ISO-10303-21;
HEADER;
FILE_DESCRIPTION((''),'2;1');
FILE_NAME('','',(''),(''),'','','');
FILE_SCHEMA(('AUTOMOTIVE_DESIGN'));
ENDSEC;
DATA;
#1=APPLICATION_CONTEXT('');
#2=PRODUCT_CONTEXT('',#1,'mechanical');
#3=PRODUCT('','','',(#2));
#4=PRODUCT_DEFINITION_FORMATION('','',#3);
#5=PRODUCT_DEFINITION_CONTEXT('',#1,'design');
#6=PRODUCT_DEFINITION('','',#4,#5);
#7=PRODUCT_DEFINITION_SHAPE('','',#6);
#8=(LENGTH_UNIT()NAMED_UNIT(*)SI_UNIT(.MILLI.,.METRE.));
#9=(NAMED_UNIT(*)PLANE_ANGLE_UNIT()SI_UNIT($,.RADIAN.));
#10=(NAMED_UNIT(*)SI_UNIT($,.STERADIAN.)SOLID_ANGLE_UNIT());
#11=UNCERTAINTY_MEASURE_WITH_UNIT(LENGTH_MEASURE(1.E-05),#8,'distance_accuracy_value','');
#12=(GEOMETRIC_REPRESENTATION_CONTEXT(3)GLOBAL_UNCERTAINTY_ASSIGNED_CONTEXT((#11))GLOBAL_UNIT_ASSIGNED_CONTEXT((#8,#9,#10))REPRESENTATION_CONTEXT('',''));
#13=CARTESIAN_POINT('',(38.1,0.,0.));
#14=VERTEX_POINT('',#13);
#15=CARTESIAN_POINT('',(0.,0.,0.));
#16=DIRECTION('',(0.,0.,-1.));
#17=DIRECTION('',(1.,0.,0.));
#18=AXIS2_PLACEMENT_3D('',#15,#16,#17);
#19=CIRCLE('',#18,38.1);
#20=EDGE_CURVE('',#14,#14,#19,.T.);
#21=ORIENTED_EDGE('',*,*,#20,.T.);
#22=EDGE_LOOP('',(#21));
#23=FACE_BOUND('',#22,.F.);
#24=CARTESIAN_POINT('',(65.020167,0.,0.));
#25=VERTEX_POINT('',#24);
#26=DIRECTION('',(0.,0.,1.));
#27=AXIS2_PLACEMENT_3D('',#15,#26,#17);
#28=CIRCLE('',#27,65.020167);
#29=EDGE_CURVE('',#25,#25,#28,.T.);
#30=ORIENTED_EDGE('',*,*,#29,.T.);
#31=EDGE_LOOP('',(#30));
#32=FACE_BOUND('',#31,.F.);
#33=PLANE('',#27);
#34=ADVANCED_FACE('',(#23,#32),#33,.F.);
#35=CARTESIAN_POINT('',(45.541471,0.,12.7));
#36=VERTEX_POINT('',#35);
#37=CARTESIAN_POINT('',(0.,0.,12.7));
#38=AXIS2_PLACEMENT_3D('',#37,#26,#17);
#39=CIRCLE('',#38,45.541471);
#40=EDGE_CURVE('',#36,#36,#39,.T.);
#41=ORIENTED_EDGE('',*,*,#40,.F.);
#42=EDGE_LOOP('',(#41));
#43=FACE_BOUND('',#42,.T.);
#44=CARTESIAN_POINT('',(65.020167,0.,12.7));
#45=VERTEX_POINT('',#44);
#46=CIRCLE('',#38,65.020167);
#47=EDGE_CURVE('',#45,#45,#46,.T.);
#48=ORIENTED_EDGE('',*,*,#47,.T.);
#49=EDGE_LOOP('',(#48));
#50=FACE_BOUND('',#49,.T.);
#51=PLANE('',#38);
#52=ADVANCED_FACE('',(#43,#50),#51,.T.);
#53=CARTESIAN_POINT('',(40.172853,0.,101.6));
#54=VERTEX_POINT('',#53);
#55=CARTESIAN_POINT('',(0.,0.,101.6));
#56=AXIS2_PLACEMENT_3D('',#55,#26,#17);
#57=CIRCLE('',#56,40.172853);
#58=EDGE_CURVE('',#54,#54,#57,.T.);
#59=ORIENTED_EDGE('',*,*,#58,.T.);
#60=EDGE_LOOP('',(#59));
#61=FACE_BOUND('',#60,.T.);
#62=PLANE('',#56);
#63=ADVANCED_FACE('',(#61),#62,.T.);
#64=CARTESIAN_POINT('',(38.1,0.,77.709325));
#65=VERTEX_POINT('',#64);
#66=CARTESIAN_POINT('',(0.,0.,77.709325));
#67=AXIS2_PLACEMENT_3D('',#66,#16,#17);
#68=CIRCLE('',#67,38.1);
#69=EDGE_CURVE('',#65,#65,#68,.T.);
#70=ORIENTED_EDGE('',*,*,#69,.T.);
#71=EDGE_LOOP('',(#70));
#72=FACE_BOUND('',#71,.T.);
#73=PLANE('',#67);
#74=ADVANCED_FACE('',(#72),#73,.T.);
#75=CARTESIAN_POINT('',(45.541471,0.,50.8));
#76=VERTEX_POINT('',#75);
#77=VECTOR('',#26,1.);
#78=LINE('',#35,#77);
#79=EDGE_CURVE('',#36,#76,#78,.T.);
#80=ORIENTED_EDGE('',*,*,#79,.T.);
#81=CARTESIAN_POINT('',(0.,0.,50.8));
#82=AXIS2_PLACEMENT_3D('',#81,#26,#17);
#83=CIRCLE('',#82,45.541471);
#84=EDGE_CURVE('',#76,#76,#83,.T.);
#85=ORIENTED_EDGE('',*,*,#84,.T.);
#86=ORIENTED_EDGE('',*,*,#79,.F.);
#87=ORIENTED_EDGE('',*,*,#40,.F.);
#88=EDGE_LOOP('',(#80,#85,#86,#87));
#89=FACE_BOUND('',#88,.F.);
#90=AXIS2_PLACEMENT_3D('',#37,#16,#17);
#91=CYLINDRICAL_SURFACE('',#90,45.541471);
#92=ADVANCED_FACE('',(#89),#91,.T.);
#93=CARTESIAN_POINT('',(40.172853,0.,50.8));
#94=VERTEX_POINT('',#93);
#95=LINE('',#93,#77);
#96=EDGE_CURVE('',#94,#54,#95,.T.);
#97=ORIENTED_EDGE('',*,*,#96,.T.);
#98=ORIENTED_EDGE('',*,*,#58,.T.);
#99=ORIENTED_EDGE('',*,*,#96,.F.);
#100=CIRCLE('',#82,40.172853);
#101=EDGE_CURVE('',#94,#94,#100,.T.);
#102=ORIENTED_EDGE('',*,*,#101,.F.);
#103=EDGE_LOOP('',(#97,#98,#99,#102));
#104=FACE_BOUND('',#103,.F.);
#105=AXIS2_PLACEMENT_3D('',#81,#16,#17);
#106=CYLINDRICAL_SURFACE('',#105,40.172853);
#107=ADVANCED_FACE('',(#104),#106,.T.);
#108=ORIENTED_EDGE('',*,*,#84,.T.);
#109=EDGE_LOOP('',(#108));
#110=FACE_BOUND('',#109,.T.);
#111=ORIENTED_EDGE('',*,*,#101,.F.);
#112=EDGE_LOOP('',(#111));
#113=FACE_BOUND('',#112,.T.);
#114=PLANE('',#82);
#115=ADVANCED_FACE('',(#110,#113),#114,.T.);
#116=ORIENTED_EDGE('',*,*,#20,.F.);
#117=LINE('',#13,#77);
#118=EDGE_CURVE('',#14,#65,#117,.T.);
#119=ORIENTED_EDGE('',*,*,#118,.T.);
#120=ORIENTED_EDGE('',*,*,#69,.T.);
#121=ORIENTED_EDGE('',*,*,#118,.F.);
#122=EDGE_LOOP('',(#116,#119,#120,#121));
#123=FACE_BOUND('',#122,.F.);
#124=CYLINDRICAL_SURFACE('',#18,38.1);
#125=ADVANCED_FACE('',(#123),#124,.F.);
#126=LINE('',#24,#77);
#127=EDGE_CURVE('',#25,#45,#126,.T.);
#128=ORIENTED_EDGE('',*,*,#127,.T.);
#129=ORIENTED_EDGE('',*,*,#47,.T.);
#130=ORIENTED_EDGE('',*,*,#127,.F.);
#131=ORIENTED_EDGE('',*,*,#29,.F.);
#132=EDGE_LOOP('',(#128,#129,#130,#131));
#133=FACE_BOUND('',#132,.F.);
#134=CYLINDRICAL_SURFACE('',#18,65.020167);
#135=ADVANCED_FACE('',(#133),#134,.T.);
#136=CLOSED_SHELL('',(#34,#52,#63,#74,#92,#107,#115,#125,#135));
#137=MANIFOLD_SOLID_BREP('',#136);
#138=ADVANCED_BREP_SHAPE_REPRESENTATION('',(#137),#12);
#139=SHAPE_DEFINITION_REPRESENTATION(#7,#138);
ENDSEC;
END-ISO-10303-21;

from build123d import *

# Parameters (mm, degrees)
F0_R     = 65.020167
F1_DEPTH = 12.7
F2_R     = 45.541471
F3_DEPTH = 38.1
F4_R     = 40.172853
F5_DEPTH = 50.8
F6_R     = 38.1
F7_DEPTH = 77.709325


with BuildPart() as f1:
    # F0 (on Top) → F1 (new body)
    with BuildSketch(Plane.XY):
        Circle(F0_R)
    extrude(amount=F1_DEPTH)

    # F2 (on face) → F3 (join)
    with BuildSketch(Plane.XY.offset(12.7)):
        Circle(F2_R)
    extrude(amount=F3_DEPTH)

    # F4 (on face) → F5 (join)
    with BuildSketch(Plane.XY.offset(50.8)):
        Circle(F4_R)
    extrude(amount=F5_DEPTH)

    # F6 (on face) → F7 (cut)
    with BuildSketch(Plane(origin=(0, 0, 0), x_dir=(1, 0, 0), z_dir=(0, 0, -1))):
        Circle(F6_R)
    extrude(amount=-F7_DEPTH, mode=Mode.SUBTRACT)


solid = f1.part
